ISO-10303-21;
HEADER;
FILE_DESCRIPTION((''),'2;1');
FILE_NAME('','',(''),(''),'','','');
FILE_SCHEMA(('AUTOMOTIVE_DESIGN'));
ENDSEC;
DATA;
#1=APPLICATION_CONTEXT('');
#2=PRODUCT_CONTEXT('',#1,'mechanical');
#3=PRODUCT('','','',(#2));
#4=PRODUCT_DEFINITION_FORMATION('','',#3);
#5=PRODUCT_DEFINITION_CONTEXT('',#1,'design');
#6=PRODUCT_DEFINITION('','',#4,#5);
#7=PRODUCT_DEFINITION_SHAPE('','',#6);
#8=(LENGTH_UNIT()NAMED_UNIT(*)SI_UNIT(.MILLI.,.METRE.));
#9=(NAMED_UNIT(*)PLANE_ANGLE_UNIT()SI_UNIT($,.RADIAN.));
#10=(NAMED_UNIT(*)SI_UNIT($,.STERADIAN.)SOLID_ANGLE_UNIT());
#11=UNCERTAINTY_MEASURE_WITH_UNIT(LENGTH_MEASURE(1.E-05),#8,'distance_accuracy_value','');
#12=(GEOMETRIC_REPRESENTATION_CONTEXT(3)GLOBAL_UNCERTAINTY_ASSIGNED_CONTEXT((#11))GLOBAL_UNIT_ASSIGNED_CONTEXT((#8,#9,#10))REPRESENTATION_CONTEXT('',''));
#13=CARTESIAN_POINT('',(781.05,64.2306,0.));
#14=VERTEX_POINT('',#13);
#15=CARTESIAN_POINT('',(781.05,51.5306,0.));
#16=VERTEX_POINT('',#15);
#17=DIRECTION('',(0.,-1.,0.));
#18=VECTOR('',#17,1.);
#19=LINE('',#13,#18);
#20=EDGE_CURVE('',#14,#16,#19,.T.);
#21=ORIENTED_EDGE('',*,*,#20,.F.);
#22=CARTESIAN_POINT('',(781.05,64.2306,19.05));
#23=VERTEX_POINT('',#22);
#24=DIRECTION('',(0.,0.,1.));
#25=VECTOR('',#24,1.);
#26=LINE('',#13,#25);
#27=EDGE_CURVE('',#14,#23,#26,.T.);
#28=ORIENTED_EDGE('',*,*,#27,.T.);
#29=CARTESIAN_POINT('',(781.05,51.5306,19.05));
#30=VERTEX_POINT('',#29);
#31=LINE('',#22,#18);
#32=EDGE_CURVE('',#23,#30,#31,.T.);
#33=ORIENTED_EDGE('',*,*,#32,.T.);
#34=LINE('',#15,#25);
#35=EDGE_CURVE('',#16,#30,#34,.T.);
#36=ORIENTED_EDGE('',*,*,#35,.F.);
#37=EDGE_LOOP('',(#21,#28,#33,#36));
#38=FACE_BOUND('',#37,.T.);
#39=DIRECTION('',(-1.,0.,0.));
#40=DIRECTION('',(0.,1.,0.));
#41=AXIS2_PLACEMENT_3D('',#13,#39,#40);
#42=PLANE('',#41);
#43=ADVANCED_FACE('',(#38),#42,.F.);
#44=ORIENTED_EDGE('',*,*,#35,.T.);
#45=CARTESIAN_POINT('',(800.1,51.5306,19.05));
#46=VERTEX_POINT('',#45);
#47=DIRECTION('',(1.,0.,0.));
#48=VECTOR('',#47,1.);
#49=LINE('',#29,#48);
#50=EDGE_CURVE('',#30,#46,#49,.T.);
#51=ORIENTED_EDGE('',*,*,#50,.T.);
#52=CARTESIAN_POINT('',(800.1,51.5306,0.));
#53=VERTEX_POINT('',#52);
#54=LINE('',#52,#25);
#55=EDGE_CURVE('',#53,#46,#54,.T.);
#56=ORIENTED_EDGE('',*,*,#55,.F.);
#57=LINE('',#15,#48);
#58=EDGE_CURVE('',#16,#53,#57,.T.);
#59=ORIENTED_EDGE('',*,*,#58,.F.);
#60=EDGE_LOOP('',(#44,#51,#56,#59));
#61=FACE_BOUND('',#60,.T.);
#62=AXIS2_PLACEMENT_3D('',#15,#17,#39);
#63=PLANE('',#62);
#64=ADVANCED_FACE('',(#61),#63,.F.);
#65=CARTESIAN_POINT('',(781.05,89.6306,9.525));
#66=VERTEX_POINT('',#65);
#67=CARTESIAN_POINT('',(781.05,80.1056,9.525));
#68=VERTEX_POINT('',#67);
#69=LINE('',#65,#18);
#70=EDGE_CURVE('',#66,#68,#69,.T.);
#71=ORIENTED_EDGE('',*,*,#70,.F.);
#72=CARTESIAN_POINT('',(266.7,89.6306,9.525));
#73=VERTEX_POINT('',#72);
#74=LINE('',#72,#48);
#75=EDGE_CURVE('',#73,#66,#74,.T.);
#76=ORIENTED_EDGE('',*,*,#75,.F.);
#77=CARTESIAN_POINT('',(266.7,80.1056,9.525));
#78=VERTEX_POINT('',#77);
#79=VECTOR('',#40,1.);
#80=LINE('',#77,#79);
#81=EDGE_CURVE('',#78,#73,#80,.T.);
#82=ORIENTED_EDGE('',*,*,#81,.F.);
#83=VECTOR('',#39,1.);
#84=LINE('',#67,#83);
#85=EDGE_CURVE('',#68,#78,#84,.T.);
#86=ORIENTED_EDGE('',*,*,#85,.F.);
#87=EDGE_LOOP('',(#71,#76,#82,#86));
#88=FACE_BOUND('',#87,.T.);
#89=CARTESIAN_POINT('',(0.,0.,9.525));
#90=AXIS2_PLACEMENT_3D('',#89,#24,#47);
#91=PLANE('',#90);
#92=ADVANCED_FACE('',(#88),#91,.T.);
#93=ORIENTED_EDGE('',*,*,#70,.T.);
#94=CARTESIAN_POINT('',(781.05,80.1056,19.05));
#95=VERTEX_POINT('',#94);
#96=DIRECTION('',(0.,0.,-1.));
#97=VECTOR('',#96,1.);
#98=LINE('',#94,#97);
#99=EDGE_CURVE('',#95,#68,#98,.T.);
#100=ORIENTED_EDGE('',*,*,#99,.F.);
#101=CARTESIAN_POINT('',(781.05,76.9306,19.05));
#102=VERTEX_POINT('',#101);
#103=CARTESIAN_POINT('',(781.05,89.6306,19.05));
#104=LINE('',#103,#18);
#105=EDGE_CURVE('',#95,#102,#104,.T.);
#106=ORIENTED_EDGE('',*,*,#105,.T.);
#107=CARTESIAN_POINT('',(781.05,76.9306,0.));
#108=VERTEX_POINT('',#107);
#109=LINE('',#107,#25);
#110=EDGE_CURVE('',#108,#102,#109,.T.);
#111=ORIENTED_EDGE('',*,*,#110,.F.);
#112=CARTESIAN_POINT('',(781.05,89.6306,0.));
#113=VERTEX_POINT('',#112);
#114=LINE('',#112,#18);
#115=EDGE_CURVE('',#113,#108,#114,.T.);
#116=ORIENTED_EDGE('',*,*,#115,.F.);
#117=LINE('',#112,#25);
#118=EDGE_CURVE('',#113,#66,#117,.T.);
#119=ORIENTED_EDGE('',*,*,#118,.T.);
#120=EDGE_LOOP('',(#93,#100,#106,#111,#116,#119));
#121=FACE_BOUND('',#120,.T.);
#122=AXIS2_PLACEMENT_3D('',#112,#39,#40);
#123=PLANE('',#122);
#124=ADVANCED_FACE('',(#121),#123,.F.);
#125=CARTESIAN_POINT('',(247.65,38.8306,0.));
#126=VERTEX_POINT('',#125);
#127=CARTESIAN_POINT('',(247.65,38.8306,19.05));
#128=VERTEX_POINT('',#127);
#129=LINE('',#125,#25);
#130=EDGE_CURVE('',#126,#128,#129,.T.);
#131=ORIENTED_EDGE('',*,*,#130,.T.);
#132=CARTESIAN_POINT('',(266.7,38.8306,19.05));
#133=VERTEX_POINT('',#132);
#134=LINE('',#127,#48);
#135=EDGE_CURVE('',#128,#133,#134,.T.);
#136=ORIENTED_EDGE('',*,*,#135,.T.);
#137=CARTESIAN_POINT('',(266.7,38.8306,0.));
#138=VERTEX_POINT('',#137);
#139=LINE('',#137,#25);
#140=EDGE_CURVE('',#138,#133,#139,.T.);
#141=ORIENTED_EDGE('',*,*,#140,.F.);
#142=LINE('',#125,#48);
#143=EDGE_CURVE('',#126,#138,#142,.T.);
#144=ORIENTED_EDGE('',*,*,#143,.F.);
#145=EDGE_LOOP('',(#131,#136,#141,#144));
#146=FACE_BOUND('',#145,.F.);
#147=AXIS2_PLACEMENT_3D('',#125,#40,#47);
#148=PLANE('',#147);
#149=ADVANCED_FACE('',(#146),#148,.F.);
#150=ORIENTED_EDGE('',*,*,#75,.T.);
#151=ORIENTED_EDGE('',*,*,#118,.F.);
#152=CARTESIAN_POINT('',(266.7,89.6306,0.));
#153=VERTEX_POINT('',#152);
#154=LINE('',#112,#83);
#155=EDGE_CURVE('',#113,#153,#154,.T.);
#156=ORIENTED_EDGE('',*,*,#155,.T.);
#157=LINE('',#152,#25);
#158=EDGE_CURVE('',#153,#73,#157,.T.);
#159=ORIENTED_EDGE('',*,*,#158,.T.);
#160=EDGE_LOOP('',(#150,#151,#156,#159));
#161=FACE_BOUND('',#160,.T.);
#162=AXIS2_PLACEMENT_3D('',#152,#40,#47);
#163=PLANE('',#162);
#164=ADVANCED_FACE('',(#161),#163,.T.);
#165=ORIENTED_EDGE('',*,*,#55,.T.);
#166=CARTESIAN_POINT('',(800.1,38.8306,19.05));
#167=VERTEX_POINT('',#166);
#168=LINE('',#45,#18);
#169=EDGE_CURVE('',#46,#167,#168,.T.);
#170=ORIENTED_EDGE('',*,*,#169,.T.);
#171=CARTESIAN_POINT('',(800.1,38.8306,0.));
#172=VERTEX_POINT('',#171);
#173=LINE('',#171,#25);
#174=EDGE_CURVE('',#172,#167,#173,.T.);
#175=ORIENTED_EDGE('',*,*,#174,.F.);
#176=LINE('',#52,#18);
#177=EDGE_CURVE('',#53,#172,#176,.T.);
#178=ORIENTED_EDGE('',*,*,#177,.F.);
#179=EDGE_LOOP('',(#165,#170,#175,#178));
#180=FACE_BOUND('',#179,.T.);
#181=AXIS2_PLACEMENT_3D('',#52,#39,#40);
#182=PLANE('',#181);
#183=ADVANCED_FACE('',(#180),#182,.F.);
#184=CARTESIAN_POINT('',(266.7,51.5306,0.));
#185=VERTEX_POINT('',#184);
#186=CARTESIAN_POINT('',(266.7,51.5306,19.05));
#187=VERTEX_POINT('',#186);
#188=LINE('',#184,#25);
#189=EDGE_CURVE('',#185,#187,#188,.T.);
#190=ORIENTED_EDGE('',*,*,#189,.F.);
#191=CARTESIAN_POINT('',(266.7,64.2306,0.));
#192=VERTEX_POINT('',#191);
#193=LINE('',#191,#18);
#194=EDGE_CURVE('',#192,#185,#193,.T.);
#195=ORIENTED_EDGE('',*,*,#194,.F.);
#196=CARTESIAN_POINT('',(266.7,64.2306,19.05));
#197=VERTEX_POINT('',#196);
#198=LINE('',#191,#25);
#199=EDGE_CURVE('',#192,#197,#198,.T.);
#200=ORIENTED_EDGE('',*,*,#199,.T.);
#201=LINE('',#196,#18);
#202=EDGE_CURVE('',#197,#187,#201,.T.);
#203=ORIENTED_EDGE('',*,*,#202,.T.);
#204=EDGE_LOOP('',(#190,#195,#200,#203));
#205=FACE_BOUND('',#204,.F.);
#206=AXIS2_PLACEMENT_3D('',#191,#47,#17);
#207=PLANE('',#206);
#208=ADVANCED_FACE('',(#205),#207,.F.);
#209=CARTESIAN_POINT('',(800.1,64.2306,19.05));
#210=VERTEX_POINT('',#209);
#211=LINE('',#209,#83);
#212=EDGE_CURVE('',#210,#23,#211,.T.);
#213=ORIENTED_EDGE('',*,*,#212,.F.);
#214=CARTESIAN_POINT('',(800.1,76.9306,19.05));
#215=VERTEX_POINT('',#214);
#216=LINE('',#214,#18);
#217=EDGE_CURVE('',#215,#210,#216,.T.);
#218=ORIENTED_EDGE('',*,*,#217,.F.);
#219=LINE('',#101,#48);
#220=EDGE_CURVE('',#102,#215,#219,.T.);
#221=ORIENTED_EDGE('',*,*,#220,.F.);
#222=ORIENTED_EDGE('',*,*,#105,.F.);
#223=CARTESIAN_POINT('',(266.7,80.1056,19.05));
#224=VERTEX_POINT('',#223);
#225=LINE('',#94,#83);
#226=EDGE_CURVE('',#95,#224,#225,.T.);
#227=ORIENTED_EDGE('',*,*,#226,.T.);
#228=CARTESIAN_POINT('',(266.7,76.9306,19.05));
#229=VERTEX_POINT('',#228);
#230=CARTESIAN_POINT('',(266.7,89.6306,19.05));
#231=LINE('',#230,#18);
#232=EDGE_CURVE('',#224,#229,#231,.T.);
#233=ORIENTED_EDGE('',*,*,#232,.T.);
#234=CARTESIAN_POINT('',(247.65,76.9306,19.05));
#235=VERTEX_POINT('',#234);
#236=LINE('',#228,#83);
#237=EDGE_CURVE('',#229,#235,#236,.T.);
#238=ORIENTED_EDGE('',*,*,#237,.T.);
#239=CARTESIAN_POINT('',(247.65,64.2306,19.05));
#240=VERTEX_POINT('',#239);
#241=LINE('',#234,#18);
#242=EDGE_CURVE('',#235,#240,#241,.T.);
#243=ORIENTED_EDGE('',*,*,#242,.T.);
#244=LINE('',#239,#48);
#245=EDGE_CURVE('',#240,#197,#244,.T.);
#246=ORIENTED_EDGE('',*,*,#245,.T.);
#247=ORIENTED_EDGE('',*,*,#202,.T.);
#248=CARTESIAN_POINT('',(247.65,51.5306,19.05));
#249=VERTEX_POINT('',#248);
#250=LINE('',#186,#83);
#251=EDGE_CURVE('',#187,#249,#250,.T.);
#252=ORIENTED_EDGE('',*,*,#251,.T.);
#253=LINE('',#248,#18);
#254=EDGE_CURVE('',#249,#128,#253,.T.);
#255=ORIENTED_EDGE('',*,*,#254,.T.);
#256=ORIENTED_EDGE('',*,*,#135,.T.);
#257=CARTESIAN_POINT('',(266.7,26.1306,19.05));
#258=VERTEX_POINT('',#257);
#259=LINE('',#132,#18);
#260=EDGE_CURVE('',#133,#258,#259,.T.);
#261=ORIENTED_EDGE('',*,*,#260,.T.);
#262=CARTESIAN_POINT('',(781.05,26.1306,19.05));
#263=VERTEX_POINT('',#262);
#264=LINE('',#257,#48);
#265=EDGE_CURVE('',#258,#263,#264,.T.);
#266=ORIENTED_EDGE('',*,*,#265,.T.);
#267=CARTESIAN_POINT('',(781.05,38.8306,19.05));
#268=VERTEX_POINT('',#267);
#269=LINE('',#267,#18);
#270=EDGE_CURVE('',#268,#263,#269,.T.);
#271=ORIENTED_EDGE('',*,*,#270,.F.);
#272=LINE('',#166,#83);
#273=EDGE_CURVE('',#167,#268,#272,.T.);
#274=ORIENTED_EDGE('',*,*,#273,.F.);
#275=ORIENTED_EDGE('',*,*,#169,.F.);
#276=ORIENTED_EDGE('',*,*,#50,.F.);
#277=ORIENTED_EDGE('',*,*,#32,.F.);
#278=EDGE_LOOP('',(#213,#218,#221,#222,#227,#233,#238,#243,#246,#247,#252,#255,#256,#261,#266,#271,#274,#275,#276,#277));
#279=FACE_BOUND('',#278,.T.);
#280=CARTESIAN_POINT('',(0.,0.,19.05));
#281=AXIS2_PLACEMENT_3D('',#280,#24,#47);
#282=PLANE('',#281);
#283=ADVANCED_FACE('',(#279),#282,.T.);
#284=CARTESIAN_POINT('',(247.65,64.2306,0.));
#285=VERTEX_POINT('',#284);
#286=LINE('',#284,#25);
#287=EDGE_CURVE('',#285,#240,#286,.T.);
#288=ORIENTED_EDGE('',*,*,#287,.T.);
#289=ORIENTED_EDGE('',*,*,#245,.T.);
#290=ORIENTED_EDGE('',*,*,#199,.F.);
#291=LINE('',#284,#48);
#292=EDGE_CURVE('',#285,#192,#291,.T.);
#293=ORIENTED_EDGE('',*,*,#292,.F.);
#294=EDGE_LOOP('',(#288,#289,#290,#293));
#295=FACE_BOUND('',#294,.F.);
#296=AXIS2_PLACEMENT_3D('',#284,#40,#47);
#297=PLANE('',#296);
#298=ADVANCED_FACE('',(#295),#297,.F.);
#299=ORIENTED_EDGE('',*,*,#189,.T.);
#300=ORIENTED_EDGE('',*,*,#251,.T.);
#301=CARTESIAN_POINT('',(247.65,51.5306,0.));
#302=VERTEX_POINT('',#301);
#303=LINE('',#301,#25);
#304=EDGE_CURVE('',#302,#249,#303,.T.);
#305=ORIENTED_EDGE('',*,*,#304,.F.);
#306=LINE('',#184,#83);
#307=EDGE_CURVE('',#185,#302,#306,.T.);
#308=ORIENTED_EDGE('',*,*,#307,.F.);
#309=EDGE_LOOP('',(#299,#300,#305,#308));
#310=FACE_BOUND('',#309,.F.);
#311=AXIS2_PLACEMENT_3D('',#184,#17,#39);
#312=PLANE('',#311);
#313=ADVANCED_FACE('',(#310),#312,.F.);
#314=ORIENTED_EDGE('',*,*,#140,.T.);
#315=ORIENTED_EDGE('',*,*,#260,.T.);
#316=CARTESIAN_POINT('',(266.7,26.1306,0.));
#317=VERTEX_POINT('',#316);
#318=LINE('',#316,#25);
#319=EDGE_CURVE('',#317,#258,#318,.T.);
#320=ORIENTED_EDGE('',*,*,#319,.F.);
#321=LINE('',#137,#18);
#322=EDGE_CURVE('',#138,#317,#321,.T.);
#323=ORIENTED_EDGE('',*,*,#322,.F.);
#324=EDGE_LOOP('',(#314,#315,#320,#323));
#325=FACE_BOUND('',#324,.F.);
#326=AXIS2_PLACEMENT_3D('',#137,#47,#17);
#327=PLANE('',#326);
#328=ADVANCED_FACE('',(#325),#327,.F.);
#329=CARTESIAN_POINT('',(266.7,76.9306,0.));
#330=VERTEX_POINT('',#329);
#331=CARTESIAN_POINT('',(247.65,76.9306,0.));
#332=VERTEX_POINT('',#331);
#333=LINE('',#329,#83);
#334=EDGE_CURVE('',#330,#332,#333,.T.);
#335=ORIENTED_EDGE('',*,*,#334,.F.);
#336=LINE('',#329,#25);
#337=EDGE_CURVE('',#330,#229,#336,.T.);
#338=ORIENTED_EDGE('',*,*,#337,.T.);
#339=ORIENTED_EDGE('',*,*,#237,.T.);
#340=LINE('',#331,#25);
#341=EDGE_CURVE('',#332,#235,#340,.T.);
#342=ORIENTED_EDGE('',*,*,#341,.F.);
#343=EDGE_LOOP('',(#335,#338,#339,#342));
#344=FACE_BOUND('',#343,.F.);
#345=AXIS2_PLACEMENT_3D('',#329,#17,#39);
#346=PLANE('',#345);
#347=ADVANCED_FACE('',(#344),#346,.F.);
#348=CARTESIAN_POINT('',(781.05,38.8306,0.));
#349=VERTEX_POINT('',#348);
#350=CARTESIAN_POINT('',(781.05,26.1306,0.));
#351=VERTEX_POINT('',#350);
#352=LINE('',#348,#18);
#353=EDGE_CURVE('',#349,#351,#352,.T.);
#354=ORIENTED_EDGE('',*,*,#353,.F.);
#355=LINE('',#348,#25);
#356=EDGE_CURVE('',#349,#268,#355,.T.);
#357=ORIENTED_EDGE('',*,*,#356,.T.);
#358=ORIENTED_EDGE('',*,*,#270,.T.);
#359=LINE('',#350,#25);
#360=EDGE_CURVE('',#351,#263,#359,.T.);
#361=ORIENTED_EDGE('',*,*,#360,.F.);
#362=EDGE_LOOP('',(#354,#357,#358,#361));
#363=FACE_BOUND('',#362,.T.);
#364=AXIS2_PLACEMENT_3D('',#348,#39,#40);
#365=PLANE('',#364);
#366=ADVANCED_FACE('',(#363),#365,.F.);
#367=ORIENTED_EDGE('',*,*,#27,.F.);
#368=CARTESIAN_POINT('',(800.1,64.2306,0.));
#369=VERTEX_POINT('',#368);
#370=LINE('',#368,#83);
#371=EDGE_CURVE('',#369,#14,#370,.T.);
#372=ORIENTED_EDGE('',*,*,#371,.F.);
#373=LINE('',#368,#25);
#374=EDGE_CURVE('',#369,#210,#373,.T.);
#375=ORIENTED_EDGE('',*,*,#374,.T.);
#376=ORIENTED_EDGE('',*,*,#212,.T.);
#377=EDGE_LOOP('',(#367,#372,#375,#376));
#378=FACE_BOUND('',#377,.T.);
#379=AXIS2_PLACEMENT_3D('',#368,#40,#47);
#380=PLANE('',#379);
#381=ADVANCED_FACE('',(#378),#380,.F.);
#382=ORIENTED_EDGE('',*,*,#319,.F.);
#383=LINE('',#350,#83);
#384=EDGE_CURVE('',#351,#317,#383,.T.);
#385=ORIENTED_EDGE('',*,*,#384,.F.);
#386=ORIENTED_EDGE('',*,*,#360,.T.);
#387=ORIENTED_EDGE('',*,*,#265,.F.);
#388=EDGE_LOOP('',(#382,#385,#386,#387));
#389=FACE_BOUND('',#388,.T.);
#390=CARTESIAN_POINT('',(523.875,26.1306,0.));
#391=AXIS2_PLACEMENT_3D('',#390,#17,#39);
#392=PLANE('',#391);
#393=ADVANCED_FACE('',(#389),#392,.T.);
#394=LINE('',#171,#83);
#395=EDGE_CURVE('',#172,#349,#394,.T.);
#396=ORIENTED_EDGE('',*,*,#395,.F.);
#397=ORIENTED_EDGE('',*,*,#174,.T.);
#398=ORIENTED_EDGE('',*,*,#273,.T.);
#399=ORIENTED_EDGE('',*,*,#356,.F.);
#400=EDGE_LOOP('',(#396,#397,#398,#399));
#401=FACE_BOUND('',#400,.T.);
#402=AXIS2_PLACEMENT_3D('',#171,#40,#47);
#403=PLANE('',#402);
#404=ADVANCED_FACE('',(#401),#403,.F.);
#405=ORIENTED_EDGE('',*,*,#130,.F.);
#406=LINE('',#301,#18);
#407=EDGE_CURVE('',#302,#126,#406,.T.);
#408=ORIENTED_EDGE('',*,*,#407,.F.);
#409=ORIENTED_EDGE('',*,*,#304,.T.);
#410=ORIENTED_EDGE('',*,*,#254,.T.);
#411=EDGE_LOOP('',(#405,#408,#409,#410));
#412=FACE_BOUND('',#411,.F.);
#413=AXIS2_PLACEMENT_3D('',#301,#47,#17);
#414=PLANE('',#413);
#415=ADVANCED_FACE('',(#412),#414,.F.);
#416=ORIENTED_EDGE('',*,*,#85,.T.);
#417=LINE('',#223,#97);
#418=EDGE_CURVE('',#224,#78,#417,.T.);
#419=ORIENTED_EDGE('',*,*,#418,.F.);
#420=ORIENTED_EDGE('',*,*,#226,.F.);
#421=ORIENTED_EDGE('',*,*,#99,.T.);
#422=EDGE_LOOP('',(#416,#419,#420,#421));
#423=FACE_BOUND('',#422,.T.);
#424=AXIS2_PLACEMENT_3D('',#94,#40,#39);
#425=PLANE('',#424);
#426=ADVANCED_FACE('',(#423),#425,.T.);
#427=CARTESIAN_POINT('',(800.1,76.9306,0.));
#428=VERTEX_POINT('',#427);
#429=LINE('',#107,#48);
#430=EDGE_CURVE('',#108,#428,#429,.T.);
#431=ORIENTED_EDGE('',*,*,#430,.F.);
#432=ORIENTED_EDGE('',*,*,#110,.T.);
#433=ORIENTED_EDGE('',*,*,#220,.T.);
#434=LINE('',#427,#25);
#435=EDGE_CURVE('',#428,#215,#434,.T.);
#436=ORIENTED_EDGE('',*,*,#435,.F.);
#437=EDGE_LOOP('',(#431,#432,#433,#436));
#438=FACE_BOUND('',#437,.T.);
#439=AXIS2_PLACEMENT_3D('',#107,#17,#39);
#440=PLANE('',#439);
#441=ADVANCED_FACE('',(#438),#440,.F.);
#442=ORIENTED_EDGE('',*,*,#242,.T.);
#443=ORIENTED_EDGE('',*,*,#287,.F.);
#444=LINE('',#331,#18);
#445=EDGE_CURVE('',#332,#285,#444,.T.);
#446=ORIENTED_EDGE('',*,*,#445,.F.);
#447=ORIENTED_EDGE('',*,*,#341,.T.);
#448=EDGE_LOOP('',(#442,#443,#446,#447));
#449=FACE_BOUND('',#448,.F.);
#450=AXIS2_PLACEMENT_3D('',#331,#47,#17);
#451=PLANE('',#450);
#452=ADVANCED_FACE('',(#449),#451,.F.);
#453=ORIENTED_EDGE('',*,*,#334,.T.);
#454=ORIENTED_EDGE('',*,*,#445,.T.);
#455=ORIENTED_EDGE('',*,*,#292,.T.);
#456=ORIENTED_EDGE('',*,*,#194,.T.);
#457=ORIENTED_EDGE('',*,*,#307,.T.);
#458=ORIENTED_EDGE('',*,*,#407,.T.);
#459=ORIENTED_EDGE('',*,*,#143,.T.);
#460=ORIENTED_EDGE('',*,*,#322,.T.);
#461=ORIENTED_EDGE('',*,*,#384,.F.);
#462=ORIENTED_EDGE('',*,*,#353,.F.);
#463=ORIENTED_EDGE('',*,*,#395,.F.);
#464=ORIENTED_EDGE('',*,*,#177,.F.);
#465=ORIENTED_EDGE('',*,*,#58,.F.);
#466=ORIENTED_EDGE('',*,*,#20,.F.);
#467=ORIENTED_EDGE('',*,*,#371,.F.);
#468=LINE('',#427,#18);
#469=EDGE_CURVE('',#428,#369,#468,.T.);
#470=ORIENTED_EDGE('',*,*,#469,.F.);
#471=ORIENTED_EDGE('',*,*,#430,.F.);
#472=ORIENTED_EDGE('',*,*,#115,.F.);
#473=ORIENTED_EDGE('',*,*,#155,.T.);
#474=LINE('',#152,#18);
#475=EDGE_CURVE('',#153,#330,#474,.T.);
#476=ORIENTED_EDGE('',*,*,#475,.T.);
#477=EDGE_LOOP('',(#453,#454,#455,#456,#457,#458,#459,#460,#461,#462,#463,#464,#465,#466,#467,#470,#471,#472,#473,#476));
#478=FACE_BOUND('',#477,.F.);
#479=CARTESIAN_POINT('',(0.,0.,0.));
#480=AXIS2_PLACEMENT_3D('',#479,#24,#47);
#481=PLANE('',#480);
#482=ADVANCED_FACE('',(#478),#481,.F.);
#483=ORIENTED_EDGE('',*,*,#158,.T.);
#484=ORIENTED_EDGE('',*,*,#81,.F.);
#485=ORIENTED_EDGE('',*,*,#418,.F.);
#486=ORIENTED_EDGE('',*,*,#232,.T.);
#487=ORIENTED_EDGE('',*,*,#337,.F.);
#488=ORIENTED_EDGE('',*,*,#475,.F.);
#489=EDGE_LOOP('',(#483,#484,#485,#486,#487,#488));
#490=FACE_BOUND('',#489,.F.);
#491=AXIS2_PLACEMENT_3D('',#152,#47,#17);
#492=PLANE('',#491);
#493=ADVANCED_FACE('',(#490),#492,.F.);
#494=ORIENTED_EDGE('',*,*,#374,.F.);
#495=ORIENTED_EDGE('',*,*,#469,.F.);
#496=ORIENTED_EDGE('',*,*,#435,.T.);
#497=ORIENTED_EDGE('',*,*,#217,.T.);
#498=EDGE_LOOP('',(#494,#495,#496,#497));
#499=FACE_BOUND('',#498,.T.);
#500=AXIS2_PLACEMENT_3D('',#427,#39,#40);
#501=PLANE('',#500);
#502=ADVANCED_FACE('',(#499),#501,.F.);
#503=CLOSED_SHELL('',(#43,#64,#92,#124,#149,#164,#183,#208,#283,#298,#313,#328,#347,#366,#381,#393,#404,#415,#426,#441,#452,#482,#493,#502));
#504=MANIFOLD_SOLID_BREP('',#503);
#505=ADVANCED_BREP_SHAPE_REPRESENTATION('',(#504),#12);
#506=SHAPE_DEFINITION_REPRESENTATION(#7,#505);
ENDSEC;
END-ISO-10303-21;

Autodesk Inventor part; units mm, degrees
ref_plane "YZ Plane" through (0, 0, 0) normal (1, 0, 0) x (0, 1, 0)
ref_plane "XZ Plane" through (0, 0, 0) normal (0, 1, 0) x (-1, 0, 0)
ref_plane "XY Plane" through (0, 0, 0) normal (0, 0, 1) x (1, 0, 0)
sketch "Sketch1" plane through (0, 0, 0) normal (0, 0, 1) x (1, 0, 0)
  line L0 (266.7, 89.6306) -> (523.875, 89.6306)
  line L1 (523.875, 89.6306) -> (523.875, 26.1306)
  line L2 (523.875, 26.1306) -> (266.7, 26.1306)
  line L3 (266.7, 89.6306) -> (266.7, 76.9306)
  line L4 (266.7, 76.9306) -> (247.65, 76.9306)
  line L5 (247.65, 76.9306) -> (247.65, 64.2306)
  line L6 (247.65, 64.2306) -> (266.7, 64.2306)
  line L7 (266.7, 64.2306) -> (266.7, 51.5306)
  line L8 (266.7, 51.5306) -> (247.65, 51.5306)
  line L9 (247.65, 51.5306) -> (247.65, 38.8306)
  line L10 (247.65, 38.8306) -> (266.7, 38.8306)
  line L11 (266.7, 38.8306) -> (266.7, 26.1306)
  point P0 (0, 0)
  dimension "d4" = 63.5
  dimension "d17" = 257.175
  dimension "d18" = 19.05
  dimension "d19" = 12.7
  dimension "d20" = 12.7
  dimension "d21" = 12.7
  dimension "d22" = 12.7
  dimension "d23" = 12.7
  dimension "d24" = 0
extrude "Extrusion1" add sketch "Sketch1" along normal blind 19.05
mirror "Mirror1" about plane through (523.875, 26.1306, 0) normal (1, 0, 0) of "Extrusion1"
sketch "Sketch3" plane through (0, 0, 19.05) normal (0, 0, 1) x (1, 0, 0)
  line L0 (266.7, 89.6306) -> (781.05, 89.6306)
  line L1 (781.05, 89.6306) -> (781.05, 80.1056)
  line L2 (781.05, 80.1056) -> (266.7, 80.1056)
  line L3 (266.7, 80.1056) -> (266.7, 89.6306)
  point P0 (0, 0)
  dimension "d25" = 9.525
extrude "Extrusion3" cut sketch "Sketch3" against normal blind 9.525
properties part number "top_cover_side" material "Wood (Birch)"
